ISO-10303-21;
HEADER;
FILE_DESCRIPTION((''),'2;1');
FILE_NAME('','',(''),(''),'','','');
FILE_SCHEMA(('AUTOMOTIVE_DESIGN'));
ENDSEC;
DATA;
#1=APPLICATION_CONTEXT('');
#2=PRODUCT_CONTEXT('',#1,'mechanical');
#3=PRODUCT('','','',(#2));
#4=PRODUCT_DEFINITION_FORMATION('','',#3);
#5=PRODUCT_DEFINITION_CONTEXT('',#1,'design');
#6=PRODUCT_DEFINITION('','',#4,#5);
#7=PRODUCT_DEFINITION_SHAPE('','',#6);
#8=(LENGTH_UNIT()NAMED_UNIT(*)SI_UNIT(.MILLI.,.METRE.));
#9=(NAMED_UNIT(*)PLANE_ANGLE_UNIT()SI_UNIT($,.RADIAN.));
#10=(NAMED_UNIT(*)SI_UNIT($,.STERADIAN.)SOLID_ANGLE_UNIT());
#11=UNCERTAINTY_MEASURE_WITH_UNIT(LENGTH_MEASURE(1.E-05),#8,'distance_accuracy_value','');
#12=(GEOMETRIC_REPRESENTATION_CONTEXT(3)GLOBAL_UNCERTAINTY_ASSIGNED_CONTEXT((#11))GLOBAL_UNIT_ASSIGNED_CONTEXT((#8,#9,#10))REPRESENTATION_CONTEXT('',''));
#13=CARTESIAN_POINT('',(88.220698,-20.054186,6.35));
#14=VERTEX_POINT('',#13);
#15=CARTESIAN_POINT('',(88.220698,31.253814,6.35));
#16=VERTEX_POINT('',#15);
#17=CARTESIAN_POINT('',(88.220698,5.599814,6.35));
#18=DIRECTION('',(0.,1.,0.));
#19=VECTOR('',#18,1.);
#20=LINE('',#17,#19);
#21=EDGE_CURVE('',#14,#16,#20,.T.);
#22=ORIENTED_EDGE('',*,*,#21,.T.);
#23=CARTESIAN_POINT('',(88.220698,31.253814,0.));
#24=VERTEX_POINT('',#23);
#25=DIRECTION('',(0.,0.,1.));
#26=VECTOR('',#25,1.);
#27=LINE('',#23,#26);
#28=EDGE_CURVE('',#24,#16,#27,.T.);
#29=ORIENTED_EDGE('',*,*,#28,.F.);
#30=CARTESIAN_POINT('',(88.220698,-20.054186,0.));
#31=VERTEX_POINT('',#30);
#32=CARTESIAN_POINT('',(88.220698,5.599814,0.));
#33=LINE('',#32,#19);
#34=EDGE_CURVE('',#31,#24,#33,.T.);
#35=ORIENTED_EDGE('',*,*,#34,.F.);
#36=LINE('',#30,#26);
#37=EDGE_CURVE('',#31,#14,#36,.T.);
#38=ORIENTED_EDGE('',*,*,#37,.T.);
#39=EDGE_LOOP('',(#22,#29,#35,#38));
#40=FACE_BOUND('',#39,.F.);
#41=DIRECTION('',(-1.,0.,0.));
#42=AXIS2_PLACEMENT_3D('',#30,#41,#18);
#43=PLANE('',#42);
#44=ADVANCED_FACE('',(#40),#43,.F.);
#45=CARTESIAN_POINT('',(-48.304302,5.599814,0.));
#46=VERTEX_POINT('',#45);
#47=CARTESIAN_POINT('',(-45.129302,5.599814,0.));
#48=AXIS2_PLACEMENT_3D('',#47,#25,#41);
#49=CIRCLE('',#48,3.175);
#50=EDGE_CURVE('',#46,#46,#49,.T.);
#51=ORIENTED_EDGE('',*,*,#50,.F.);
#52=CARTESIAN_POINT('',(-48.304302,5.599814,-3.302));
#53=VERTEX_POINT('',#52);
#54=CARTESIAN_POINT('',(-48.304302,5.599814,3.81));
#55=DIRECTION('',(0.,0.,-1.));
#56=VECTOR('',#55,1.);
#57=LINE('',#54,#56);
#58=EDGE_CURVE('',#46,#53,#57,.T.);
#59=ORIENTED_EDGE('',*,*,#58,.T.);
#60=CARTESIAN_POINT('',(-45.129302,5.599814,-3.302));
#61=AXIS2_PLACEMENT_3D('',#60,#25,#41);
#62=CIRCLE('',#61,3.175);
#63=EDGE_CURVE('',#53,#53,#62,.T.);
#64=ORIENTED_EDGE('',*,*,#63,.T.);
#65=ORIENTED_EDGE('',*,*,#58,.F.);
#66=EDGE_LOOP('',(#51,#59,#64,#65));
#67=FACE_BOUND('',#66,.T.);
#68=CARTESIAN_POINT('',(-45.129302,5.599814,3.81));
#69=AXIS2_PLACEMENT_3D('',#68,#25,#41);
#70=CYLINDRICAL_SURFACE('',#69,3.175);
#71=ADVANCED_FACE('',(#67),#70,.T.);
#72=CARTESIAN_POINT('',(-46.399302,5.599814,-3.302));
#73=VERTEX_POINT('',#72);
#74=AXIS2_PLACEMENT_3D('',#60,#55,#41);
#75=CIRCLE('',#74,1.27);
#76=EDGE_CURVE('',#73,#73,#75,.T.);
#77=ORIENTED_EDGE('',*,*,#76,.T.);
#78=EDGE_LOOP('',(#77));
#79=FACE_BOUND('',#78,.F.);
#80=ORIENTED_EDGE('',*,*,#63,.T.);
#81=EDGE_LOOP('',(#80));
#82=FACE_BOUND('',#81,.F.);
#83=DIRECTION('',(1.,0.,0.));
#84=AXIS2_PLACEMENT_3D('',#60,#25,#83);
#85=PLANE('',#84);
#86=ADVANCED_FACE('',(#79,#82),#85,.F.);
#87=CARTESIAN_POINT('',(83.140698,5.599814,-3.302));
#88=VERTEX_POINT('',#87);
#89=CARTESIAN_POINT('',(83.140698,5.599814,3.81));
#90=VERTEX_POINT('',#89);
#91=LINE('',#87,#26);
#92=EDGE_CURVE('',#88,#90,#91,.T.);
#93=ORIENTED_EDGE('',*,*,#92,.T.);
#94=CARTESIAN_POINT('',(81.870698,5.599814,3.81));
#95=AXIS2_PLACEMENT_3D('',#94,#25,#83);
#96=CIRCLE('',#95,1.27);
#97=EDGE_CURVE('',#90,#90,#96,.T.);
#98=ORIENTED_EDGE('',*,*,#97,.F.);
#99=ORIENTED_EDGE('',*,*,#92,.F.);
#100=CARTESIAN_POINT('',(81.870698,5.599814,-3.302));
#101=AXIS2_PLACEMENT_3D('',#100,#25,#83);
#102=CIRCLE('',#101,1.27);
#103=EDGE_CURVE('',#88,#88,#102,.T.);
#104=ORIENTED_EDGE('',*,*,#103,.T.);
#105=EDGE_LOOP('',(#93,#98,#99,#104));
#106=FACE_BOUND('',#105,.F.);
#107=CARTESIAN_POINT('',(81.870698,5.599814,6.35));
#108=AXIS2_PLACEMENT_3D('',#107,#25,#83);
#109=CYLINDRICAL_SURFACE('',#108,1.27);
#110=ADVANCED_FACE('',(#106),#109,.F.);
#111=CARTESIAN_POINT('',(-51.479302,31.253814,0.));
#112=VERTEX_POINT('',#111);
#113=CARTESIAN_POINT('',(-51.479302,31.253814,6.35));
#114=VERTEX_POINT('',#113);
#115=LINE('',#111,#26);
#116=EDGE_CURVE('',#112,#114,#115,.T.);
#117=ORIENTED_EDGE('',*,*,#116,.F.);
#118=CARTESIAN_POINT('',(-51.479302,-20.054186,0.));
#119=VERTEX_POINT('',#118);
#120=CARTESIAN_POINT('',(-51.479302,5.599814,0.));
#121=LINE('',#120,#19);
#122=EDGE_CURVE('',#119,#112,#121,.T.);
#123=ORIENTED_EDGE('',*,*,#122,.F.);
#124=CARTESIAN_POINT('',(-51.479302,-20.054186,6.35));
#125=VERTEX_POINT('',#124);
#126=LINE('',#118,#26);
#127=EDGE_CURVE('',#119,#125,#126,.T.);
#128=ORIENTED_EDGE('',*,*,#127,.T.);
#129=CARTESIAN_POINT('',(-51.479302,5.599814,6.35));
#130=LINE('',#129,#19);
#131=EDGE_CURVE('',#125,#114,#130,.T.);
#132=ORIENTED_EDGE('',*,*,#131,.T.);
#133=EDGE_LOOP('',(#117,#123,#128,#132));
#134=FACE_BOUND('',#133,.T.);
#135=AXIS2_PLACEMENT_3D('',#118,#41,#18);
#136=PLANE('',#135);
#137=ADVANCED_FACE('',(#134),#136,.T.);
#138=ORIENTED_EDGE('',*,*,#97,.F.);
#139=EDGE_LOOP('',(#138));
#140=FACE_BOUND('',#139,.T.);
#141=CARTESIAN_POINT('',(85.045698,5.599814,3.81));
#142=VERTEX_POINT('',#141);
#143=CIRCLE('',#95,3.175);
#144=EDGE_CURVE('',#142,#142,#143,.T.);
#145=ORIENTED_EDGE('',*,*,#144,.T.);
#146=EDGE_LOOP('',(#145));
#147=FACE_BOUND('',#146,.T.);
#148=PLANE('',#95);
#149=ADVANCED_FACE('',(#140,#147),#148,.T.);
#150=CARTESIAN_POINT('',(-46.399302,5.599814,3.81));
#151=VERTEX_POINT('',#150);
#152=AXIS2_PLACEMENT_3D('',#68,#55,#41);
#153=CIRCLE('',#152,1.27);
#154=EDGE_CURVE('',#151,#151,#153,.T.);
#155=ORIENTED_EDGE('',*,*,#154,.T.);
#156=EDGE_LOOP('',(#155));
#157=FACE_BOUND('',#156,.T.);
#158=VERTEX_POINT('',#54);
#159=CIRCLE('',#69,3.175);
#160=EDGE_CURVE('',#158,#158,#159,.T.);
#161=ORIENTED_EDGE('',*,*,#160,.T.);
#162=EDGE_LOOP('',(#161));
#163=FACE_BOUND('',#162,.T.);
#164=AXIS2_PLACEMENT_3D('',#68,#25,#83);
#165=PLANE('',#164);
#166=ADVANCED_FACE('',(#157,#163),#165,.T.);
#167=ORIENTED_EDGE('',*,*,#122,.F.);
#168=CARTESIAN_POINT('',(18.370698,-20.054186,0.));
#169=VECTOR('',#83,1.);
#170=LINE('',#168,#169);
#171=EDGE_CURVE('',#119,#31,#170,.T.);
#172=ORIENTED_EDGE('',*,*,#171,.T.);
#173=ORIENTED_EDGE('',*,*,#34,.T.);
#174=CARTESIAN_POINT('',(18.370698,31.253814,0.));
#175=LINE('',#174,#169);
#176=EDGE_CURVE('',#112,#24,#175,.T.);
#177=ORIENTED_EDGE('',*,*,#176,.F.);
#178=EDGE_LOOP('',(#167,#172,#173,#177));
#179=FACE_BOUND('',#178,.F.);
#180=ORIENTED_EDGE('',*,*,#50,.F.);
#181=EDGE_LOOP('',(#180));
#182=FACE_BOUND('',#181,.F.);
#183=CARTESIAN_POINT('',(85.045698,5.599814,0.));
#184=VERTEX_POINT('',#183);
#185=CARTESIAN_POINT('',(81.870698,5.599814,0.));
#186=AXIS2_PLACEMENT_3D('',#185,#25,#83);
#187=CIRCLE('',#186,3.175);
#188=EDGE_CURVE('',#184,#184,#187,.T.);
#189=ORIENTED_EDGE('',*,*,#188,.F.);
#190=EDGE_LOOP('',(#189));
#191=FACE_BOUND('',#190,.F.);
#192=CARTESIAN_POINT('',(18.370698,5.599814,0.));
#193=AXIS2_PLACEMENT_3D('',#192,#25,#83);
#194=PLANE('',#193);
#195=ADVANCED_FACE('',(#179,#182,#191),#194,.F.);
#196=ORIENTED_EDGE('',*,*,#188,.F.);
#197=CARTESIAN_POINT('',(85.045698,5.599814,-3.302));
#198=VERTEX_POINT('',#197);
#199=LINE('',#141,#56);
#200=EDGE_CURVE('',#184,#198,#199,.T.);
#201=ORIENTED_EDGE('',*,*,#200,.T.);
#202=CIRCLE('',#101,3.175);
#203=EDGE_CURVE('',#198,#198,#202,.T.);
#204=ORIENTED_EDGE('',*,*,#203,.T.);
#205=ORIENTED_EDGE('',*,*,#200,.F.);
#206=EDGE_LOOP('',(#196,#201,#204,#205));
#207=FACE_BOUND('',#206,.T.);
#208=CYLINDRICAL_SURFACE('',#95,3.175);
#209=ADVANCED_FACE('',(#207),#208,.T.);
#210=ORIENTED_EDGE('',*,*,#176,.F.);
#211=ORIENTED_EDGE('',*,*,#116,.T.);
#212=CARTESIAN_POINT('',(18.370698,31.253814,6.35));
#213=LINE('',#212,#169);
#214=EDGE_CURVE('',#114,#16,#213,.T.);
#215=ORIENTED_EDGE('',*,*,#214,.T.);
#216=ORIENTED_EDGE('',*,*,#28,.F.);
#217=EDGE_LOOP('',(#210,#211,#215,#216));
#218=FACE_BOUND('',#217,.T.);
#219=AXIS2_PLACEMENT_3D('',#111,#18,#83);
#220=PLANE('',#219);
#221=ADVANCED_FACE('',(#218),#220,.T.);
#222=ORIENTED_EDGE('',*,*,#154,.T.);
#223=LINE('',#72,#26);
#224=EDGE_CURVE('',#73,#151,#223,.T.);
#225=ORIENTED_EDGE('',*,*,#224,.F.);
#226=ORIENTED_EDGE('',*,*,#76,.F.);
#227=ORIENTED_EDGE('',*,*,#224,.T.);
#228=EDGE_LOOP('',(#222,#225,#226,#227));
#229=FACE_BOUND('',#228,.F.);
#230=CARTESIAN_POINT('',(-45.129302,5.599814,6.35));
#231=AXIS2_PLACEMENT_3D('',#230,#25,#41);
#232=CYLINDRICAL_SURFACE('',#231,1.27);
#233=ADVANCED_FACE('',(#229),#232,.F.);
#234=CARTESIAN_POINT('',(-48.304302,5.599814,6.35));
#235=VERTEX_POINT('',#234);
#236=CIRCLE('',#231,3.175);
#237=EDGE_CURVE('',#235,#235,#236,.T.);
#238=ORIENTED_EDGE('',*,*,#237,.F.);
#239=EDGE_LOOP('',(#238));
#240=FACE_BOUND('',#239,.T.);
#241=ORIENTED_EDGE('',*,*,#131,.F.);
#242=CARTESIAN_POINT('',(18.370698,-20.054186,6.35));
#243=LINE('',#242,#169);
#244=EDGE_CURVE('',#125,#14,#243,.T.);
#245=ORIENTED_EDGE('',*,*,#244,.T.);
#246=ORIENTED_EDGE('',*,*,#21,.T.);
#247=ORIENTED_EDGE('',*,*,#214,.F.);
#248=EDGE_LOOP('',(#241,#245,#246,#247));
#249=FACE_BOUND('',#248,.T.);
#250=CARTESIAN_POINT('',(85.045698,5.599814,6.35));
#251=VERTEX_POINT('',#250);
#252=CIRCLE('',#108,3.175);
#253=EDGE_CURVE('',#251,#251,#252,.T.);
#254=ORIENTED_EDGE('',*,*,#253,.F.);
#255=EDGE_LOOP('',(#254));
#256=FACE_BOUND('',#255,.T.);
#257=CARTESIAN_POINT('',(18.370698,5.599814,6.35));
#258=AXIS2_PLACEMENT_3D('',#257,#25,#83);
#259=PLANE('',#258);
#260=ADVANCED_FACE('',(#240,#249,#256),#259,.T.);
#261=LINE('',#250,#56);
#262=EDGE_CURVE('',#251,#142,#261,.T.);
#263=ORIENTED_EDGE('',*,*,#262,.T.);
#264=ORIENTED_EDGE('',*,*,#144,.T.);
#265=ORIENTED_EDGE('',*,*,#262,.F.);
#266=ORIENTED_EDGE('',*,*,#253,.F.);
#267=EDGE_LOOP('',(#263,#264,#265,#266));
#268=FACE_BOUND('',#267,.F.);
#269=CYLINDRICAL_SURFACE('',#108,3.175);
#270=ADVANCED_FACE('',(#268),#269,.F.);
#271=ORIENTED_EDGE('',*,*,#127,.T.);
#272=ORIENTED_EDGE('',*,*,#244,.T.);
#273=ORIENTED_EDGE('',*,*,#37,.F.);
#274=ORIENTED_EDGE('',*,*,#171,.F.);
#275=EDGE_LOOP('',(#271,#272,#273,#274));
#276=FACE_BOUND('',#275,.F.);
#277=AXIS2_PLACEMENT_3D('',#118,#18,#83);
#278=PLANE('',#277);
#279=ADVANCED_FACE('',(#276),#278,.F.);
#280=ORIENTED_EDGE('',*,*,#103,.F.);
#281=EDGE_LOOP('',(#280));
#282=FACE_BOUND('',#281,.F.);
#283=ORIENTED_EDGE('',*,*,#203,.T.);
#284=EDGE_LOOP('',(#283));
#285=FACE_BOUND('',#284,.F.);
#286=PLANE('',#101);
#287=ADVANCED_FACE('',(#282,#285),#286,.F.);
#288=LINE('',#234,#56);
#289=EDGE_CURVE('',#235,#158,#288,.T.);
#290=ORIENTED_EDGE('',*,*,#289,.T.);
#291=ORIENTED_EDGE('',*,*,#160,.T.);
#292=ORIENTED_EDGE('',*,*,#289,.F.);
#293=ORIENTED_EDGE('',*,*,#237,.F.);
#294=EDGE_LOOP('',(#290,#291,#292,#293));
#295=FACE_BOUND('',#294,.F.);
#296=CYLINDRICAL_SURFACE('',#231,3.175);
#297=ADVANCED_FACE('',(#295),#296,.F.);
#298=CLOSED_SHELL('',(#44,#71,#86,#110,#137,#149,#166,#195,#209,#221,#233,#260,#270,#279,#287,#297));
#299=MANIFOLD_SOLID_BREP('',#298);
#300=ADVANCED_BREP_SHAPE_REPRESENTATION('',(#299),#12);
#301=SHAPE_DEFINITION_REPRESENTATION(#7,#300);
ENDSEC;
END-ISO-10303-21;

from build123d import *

# Parameters (mm, degrees)
F0_W     = 139.7
F0_H     = 51.308
F1_DEPTH = 6.35
F2_R     = 1.27
F3_DEPTH = 10.414
F2_R_2   = 3.175
F4_DEPTH = 2.54
F5_DEPTH = 7.112


with BuildPart() as f1:
    # F0 (on Top) → F1 (new body)
    with BuildSketch(Plane.XY):
        with Locations((18.3706976533, 5.599814237)):
            Rectangle(F0_W, F0_H)
    extrude(amount=F1_DEPTH)

    # F2 (on face) → F3 (cut)
    with BuildSketch(Plane.XY.offset(6.35)):
        with BuildLine():
            ThreePointArc((-43.8593023467, 5.599814237), (-45.1293023467, 6.869814237), (-46.3993023467, 5.599814237))
            ThreePointArc((-46.3993023467, 5.599814237), (-45.1293023467, 4.329814237), (-43.8593023467, 5.599814237))
        make_face()
        with Locations((81.8706976533, 5.599814237)):
            Circle(F2_R)
    extrude(amount=-F3_DEPTH, mode=Mode.SUBTRACT)

    # F2 (on face) → F4 (cut)
    with BuildSketch(Plane.XY.offset(6.35)):
        with BuildLine():
            ThreePointArc((-41.9543023467, 5.599814237), (-45.1293023467, 8.774814237), (-48.3043023467, 5.599814237))
            ThreePointArc((-48.3043023467, 5.599814237), (-45.1293023467, 2.424814237), (-41.9543023467, 5.599814237))
        make_face()
        with BuildLine():
            ThreePointArc((-43.8593023467, 5.599814237), (-45.1293023467, 4.329814237), (-46.3993023467, 5.599814237))
            ThreePointArc((-46.3993023467, 5.599814237), (-45.1293023467, 6.869814237), (-43.8593023467, 5.599814237))
        make_face(mode=Mode.SUBTRACT)
        with Locations((81.8706976533, 5.599814237)):
            Circle(F2_R_2)
        with Locations((81.8706976533, 5.599814237)):
            Circle(F2_R, mode=Mode.SUBTRACT)
    extrude(amount=-F4_DEPTH, mode=Mode.SUBTRACT)

    # F5 (add): faces of the model
    f5_faces = [f1.faces().sort_by_distance(p)[0] for p in [
        (-42.0441049079, 5.599814237, 3.81),
        (78.7855002145, 5.599814237, 3.81),
    ]]
    extrude(f5_faces, amount=-F5_DEPTH)


solid = f1.part
